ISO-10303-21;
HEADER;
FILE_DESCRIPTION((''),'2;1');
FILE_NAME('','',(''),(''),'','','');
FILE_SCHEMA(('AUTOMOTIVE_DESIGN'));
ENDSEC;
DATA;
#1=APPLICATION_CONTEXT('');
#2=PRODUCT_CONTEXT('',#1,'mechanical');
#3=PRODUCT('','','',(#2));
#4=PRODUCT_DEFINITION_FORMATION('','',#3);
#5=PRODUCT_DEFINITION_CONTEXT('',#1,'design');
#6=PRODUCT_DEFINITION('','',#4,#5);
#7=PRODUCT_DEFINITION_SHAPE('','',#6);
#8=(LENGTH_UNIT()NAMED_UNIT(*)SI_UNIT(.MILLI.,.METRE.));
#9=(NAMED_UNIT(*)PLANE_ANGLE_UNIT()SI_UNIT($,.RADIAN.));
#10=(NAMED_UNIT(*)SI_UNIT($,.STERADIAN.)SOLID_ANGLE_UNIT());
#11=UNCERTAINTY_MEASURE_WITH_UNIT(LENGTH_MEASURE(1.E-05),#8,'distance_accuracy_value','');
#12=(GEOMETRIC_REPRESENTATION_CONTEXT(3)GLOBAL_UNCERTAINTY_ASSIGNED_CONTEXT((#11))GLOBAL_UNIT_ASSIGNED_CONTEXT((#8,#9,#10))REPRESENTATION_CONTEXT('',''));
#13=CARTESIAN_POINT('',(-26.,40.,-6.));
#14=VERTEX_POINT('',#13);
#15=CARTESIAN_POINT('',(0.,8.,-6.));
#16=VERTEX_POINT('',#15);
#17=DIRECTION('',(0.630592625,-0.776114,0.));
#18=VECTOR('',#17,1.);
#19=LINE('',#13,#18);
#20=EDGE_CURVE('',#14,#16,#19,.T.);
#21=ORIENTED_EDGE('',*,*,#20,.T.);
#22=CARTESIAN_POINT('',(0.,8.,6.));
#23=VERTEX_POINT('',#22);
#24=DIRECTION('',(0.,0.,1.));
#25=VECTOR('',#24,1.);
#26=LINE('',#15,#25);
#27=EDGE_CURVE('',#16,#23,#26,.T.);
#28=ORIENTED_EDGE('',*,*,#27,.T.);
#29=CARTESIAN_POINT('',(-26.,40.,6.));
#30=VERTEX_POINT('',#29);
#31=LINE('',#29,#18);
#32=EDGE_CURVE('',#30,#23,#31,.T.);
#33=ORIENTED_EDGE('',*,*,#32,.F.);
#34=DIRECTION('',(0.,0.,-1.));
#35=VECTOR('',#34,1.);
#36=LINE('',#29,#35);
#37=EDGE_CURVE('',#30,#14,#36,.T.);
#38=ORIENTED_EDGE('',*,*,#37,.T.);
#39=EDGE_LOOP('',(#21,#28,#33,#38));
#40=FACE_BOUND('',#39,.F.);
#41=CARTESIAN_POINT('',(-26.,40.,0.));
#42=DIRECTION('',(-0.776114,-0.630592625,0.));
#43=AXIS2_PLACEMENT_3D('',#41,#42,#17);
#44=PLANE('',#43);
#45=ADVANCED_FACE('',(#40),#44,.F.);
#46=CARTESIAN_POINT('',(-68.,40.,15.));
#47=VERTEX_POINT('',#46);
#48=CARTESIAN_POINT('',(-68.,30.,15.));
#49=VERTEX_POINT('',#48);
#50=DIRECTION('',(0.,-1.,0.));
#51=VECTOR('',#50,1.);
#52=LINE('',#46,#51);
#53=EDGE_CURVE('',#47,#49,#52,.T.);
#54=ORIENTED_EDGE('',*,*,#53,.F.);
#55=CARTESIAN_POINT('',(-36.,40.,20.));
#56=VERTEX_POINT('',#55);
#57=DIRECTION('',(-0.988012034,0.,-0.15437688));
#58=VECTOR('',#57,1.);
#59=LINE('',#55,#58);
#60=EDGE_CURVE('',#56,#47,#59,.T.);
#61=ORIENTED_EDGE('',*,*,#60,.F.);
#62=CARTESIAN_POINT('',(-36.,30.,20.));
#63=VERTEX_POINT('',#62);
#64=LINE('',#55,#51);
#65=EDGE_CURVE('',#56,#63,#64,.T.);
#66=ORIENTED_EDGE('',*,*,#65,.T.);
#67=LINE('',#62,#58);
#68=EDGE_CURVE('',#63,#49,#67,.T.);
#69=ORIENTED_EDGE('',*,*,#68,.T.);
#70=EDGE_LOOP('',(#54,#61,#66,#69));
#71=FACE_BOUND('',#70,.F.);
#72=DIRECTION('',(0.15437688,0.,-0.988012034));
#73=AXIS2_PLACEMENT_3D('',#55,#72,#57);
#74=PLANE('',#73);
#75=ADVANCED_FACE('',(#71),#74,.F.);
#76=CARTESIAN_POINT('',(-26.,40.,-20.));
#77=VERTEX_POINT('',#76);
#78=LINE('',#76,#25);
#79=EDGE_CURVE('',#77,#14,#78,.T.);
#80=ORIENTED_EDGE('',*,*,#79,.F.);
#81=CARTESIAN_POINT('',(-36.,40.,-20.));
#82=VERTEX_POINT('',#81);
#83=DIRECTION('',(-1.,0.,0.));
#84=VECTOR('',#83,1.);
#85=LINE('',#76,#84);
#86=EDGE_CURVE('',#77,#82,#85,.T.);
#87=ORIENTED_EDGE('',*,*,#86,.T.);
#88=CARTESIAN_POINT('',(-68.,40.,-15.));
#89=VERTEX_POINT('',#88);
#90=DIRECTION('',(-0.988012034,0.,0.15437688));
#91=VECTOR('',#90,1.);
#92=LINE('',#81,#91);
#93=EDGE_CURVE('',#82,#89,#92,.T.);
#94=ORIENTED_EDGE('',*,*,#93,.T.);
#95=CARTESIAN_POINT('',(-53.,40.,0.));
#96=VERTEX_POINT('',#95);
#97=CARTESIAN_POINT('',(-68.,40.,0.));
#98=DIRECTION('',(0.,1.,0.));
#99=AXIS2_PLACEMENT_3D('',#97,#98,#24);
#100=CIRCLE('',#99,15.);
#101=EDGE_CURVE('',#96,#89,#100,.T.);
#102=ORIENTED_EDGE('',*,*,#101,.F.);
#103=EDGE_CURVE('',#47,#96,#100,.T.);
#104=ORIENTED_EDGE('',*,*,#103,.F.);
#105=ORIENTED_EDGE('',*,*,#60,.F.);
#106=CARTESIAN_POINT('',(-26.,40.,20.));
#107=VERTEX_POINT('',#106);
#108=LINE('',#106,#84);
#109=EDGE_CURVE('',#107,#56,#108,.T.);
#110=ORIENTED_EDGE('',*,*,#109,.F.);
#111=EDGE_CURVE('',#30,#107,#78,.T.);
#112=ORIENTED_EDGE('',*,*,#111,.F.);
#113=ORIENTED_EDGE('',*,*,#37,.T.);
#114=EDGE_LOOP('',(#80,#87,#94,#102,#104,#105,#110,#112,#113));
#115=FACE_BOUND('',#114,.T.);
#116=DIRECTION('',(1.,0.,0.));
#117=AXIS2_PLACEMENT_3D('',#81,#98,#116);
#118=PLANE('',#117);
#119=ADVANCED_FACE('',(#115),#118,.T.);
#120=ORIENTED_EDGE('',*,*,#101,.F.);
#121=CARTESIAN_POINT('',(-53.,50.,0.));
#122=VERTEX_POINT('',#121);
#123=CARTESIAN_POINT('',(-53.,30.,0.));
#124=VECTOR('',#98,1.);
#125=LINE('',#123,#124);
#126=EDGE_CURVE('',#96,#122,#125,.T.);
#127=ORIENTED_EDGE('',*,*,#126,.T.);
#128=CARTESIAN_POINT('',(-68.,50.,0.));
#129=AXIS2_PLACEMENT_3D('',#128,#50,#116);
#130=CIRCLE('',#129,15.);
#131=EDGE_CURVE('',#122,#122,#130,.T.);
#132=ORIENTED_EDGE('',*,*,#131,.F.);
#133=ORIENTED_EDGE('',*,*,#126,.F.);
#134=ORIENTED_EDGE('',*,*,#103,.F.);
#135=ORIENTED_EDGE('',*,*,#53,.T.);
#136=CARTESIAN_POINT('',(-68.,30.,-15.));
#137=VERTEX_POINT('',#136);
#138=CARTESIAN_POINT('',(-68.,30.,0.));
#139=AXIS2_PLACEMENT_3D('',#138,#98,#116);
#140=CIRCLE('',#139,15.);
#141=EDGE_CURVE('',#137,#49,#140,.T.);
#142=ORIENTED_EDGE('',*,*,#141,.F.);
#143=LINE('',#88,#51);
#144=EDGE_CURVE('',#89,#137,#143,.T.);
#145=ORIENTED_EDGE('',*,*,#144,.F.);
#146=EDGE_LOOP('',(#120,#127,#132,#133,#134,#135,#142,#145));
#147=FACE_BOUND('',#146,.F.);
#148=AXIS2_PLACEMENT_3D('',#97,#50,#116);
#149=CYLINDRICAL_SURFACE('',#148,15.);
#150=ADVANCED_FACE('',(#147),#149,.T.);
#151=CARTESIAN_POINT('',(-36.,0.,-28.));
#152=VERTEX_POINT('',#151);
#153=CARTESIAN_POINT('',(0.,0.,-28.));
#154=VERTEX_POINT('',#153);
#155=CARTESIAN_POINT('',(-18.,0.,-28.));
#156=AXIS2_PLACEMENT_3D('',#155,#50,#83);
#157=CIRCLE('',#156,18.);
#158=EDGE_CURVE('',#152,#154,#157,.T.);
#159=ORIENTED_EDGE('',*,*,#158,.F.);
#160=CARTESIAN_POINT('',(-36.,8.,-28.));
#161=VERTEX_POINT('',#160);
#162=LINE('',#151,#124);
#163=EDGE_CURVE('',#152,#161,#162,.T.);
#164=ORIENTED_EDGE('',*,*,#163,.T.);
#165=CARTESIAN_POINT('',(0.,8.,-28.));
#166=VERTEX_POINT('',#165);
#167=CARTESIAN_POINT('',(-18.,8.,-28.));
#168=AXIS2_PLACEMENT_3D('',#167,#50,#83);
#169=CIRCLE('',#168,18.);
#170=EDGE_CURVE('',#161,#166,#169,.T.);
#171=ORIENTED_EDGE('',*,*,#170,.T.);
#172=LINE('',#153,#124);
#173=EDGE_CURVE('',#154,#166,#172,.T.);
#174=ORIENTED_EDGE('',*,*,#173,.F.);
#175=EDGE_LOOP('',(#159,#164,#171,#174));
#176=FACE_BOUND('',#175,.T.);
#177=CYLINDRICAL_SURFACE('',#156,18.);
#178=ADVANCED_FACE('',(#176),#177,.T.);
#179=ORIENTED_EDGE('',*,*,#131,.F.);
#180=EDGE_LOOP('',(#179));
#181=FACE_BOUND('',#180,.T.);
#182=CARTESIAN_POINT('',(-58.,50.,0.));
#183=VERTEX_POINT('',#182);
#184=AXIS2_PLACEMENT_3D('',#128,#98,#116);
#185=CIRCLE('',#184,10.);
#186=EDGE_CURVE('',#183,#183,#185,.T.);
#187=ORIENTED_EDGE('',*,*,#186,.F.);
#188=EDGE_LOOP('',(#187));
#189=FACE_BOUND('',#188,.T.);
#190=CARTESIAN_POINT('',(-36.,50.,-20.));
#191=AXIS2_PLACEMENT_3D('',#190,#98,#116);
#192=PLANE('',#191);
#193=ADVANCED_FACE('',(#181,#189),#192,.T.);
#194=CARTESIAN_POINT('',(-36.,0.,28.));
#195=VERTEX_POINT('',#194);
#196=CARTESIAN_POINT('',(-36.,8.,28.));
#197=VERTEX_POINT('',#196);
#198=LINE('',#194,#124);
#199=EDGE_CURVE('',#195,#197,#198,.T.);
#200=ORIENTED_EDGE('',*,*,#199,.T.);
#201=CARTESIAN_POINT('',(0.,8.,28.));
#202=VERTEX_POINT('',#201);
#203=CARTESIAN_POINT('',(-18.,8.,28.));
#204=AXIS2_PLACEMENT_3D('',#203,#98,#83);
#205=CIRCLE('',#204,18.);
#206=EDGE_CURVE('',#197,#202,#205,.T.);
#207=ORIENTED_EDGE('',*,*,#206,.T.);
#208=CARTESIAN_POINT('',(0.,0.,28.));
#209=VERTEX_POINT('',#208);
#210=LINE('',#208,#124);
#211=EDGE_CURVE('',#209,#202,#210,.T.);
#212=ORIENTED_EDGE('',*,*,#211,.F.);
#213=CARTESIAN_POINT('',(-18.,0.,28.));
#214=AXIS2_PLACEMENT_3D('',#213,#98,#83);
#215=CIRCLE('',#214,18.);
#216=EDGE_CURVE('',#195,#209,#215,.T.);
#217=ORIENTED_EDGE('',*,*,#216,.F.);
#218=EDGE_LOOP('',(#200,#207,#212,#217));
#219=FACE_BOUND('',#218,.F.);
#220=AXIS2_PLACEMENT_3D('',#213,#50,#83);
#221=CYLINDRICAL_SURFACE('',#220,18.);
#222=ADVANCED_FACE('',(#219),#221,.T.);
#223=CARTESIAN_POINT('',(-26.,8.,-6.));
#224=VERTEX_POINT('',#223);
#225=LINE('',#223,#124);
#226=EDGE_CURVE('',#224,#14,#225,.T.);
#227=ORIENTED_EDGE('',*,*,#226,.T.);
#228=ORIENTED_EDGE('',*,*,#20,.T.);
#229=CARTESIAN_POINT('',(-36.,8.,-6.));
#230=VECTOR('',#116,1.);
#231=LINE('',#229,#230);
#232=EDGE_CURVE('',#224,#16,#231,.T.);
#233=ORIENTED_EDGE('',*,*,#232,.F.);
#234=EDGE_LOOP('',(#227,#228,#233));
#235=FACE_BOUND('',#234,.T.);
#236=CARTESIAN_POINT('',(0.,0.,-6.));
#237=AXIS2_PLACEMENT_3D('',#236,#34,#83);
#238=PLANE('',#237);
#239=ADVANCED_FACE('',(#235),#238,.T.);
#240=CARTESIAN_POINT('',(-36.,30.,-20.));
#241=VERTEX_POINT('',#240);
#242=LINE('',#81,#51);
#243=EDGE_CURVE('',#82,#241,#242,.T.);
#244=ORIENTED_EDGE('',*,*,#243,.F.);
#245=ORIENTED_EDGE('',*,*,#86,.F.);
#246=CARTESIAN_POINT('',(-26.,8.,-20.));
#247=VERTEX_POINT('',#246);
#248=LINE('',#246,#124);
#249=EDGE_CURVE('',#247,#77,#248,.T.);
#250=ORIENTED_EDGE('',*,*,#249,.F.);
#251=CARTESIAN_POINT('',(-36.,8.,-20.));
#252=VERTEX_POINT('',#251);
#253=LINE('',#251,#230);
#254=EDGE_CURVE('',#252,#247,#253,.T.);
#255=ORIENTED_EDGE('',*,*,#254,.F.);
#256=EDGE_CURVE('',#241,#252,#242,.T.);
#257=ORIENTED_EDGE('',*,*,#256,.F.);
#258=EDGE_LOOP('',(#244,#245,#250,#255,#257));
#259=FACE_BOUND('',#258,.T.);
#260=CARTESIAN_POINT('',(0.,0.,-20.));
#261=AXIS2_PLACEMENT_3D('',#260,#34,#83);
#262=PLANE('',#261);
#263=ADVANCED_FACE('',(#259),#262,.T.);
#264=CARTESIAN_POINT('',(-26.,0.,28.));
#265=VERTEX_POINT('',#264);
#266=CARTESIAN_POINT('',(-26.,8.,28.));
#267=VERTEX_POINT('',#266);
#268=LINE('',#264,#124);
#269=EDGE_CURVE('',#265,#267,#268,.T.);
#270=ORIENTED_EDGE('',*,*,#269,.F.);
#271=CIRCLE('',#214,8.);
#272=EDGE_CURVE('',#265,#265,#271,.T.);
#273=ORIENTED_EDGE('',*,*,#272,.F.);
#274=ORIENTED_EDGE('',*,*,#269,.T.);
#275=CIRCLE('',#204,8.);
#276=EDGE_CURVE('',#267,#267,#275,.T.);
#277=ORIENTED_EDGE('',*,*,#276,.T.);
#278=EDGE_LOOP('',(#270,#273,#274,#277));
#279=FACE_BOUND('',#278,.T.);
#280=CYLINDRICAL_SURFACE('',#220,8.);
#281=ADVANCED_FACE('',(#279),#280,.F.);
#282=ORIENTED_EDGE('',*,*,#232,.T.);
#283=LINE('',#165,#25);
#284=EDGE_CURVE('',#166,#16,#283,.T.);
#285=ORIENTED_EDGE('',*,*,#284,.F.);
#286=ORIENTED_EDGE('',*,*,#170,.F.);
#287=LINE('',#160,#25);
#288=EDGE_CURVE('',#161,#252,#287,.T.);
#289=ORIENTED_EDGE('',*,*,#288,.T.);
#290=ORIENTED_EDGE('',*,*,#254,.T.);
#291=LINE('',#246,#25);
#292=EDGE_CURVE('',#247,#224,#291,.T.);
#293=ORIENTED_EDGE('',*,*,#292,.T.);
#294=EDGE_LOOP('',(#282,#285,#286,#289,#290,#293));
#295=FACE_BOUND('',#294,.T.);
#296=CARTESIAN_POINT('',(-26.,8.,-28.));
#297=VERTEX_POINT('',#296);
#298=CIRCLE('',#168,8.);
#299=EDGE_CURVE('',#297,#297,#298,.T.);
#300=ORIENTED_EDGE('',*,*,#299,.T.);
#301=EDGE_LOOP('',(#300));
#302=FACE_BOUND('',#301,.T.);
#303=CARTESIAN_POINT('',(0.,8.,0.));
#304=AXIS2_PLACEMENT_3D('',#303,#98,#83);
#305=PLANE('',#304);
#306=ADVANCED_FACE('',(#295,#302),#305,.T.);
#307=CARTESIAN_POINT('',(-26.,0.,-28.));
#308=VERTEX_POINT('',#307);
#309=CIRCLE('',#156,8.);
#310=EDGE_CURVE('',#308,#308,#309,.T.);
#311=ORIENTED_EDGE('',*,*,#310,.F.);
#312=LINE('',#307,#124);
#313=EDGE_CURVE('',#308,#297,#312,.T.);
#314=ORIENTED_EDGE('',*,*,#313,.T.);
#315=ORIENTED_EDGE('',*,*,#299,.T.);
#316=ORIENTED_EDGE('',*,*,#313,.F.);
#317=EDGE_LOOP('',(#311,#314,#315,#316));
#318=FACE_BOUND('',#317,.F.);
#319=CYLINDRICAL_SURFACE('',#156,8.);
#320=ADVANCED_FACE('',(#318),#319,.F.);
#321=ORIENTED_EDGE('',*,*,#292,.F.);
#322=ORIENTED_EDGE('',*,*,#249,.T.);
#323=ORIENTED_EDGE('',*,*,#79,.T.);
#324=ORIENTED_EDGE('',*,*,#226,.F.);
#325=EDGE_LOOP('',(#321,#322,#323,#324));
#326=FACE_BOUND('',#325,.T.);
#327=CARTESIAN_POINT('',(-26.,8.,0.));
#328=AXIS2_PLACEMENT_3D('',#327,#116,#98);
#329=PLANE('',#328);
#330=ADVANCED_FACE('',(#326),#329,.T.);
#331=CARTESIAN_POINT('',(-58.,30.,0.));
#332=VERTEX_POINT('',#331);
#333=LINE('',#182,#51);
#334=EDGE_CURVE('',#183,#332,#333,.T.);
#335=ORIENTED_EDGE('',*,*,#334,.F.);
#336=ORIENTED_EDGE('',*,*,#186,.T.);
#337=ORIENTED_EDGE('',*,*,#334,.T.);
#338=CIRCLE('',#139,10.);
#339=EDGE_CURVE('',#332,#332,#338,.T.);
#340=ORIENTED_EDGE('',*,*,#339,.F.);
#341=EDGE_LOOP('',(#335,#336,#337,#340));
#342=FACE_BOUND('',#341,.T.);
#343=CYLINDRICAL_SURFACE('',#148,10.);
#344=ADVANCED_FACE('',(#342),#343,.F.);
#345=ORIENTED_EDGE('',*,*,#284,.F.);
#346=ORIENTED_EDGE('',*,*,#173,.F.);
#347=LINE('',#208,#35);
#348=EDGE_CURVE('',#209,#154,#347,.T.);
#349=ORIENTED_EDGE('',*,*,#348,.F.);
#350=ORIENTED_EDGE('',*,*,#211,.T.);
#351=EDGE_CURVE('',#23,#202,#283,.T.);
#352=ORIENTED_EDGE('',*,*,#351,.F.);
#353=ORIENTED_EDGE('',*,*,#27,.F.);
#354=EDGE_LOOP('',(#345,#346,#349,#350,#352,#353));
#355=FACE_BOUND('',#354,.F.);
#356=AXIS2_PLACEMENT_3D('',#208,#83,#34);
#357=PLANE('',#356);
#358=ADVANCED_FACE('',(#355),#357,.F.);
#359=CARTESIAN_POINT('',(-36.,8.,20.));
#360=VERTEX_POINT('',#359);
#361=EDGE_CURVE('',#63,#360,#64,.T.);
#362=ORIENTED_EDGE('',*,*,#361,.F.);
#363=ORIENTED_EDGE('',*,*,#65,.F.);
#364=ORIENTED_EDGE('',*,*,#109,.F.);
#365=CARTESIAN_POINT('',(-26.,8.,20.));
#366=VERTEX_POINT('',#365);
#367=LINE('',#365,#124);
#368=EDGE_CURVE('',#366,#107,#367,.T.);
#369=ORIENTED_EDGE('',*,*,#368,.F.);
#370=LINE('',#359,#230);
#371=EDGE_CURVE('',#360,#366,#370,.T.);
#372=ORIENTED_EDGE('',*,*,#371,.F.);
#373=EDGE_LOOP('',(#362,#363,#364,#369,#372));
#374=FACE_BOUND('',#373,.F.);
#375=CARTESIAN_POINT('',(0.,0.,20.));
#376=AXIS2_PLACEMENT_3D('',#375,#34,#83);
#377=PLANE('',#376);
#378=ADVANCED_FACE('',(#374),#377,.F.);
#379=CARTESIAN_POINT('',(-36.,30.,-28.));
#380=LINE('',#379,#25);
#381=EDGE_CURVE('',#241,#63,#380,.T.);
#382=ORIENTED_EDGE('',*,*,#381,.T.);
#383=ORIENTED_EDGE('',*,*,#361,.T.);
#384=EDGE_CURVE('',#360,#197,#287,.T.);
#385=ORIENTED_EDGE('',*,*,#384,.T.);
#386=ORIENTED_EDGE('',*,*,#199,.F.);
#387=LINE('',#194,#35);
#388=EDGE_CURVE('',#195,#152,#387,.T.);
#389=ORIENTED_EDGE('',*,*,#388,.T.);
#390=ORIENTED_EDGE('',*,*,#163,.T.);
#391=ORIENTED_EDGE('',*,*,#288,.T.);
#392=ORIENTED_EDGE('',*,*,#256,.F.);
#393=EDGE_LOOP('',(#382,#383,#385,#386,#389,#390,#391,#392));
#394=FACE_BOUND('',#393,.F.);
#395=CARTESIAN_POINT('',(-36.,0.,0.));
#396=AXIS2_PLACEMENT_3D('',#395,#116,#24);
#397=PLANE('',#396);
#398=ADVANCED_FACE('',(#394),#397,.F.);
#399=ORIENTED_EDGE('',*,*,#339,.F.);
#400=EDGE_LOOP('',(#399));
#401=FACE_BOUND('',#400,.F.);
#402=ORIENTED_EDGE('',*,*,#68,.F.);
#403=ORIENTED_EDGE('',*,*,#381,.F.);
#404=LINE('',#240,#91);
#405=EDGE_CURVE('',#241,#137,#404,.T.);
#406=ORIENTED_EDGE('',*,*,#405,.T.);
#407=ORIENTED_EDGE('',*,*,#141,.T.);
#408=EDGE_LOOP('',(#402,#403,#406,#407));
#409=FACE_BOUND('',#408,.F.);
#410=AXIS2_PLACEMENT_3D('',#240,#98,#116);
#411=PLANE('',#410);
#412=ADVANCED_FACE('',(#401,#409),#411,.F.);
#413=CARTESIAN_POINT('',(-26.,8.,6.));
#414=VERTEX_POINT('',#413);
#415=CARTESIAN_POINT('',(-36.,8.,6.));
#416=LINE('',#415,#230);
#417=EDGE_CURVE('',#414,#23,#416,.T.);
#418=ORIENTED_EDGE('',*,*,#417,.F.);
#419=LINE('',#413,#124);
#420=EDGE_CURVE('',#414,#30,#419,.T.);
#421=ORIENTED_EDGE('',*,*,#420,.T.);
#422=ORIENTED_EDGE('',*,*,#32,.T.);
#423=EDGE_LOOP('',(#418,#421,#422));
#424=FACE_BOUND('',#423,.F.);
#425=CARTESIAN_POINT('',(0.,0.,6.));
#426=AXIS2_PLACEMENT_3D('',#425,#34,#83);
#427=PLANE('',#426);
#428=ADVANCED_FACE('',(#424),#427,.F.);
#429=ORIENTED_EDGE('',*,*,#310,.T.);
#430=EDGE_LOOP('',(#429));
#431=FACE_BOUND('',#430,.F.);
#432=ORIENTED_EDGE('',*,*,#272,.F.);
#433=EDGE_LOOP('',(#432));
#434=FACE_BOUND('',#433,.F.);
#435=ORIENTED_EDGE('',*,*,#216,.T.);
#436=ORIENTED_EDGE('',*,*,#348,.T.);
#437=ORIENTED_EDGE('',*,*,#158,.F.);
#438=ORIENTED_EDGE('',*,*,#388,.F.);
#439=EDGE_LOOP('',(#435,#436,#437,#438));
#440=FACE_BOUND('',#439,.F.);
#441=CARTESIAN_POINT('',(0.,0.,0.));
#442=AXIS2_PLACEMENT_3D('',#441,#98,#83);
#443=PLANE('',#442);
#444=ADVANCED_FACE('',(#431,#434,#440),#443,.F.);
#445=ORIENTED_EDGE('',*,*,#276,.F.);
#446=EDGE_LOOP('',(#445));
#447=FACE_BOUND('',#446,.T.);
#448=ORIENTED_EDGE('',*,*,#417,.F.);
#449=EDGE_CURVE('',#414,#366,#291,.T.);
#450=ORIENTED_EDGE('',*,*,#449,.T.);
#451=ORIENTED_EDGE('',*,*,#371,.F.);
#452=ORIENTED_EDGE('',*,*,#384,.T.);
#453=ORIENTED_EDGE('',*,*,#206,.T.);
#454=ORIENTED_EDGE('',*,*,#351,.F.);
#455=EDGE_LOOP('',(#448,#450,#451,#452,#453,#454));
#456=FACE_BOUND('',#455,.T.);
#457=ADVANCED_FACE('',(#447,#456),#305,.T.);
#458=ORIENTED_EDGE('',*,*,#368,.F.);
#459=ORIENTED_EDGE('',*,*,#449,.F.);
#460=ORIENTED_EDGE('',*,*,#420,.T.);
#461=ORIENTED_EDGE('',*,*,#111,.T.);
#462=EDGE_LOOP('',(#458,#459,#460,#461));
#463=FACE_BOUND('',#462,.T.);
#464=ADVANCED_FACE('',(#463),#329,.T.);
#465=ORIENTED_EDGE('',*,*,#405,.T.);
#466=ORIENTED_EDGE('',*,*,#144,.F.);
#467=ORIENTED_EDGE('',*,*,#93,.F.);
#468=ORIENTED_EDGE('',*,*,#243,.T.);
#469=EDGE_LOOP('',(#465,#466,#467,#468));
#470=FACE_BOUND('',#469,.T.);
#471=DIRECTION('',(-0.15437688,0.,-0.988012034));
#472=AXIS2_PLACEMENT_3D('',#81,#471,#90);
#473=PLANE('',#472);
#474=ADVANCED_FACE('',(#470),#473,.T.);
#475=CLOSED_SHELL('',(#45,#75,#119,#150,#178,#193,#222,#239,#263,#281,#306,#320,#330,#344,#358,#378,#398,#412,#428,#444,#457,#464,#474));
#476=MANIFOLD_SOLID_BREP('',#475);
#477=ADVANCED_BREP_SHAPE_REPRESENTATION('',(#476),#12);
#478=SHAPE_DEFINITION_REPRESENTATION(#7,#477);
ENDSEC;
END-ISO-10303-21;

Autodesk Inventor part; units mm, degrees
ref_plane "YZ Plane" through (0, 0, 0) normal (1, 0, 0) x (0, 1, 0)
ref_plane "XZ Plane" through (0, 0, 0) normal (0, 1, 0) x (-1, 0, 0)
ref_plane "XY Plane" through (0, 0, 0) normal (0, 0, 1) x (1, 0, 0)
sketch "Sketch1" plane through (0, 0, 0) normal (0, 1, 0) x (-1, 0, 0)
  line L0 (0, 0) -> (36, 0)
  line L1 (36, 0) -> (36, 28)
  line L2 (0, 28) -> (0, 0)
  arc A0 (36, 28) -> (0, 28) centre (18, 28) ccw
  circle A1 centre (18, 28) radius 8
  dimension "d0" = 36
  dimension "d1" = 28
  dimension "d2" = 16
extrude "Extrusion1" add sketch "Sketch1" along normal blind 8
sketch "Sketch2" plane through (0, 0, 0) normal (0, 0, -1) x (-1, 0, 0)
  line L0 (36, 8) -> (0, 8) projected
  line L1 (36, 8) -> (26, 8)
  line L2 (26, 8) -> (26, 40)
  line L3 (26, 40) -> (36, 40)
  line L4 (36, 40) -> (36, 8)
  line L5 (26, 40) -> (0, 8)
  point P0 (0, 0)
  dimension "d5" = 10
  dimension "d6" = 32
mirror "Mirror1" about plane through (0, 0, 0) normal (0, 0, 1) of "Extrusion1"
extrude "Extrusion2" add sketch "Sketch2" along normal mid plane 12 contours L0 L5 L2
extrude "Extrusion3" add sketch "Sketch2" along normal mid plane 40 contours L0 L2 L3 L4
sketch "Sketch3" plane through (-36, 40, -20) normal (0, 1, 0) x (1, 0, 0)
  line L0 (0, 8) -> (0, -48) projected
  circle A0 centre (-32, -20) radius 10
  circle A1 centre (-32, -20) radius 15
  line L1 (0, -48) -> (0, -40) projected
  line L2 (0, -40) -> (-32, -35)
  line L3 (0, 0) -> (10, 0) projected
  line L4 (0, 0) -> (-32, -5)
  point P0 (36, -20)
  dimension "d12" = 20
  dimension "d13" = 30
extrude "Extrusion4" add sketch "Sketch3" against normal blind 10 contours L0 L2 A1 L4
extrude "Extrusion5" add sketch "Sketch3" along normal blind 10 and the other way blind 10 contours A1
